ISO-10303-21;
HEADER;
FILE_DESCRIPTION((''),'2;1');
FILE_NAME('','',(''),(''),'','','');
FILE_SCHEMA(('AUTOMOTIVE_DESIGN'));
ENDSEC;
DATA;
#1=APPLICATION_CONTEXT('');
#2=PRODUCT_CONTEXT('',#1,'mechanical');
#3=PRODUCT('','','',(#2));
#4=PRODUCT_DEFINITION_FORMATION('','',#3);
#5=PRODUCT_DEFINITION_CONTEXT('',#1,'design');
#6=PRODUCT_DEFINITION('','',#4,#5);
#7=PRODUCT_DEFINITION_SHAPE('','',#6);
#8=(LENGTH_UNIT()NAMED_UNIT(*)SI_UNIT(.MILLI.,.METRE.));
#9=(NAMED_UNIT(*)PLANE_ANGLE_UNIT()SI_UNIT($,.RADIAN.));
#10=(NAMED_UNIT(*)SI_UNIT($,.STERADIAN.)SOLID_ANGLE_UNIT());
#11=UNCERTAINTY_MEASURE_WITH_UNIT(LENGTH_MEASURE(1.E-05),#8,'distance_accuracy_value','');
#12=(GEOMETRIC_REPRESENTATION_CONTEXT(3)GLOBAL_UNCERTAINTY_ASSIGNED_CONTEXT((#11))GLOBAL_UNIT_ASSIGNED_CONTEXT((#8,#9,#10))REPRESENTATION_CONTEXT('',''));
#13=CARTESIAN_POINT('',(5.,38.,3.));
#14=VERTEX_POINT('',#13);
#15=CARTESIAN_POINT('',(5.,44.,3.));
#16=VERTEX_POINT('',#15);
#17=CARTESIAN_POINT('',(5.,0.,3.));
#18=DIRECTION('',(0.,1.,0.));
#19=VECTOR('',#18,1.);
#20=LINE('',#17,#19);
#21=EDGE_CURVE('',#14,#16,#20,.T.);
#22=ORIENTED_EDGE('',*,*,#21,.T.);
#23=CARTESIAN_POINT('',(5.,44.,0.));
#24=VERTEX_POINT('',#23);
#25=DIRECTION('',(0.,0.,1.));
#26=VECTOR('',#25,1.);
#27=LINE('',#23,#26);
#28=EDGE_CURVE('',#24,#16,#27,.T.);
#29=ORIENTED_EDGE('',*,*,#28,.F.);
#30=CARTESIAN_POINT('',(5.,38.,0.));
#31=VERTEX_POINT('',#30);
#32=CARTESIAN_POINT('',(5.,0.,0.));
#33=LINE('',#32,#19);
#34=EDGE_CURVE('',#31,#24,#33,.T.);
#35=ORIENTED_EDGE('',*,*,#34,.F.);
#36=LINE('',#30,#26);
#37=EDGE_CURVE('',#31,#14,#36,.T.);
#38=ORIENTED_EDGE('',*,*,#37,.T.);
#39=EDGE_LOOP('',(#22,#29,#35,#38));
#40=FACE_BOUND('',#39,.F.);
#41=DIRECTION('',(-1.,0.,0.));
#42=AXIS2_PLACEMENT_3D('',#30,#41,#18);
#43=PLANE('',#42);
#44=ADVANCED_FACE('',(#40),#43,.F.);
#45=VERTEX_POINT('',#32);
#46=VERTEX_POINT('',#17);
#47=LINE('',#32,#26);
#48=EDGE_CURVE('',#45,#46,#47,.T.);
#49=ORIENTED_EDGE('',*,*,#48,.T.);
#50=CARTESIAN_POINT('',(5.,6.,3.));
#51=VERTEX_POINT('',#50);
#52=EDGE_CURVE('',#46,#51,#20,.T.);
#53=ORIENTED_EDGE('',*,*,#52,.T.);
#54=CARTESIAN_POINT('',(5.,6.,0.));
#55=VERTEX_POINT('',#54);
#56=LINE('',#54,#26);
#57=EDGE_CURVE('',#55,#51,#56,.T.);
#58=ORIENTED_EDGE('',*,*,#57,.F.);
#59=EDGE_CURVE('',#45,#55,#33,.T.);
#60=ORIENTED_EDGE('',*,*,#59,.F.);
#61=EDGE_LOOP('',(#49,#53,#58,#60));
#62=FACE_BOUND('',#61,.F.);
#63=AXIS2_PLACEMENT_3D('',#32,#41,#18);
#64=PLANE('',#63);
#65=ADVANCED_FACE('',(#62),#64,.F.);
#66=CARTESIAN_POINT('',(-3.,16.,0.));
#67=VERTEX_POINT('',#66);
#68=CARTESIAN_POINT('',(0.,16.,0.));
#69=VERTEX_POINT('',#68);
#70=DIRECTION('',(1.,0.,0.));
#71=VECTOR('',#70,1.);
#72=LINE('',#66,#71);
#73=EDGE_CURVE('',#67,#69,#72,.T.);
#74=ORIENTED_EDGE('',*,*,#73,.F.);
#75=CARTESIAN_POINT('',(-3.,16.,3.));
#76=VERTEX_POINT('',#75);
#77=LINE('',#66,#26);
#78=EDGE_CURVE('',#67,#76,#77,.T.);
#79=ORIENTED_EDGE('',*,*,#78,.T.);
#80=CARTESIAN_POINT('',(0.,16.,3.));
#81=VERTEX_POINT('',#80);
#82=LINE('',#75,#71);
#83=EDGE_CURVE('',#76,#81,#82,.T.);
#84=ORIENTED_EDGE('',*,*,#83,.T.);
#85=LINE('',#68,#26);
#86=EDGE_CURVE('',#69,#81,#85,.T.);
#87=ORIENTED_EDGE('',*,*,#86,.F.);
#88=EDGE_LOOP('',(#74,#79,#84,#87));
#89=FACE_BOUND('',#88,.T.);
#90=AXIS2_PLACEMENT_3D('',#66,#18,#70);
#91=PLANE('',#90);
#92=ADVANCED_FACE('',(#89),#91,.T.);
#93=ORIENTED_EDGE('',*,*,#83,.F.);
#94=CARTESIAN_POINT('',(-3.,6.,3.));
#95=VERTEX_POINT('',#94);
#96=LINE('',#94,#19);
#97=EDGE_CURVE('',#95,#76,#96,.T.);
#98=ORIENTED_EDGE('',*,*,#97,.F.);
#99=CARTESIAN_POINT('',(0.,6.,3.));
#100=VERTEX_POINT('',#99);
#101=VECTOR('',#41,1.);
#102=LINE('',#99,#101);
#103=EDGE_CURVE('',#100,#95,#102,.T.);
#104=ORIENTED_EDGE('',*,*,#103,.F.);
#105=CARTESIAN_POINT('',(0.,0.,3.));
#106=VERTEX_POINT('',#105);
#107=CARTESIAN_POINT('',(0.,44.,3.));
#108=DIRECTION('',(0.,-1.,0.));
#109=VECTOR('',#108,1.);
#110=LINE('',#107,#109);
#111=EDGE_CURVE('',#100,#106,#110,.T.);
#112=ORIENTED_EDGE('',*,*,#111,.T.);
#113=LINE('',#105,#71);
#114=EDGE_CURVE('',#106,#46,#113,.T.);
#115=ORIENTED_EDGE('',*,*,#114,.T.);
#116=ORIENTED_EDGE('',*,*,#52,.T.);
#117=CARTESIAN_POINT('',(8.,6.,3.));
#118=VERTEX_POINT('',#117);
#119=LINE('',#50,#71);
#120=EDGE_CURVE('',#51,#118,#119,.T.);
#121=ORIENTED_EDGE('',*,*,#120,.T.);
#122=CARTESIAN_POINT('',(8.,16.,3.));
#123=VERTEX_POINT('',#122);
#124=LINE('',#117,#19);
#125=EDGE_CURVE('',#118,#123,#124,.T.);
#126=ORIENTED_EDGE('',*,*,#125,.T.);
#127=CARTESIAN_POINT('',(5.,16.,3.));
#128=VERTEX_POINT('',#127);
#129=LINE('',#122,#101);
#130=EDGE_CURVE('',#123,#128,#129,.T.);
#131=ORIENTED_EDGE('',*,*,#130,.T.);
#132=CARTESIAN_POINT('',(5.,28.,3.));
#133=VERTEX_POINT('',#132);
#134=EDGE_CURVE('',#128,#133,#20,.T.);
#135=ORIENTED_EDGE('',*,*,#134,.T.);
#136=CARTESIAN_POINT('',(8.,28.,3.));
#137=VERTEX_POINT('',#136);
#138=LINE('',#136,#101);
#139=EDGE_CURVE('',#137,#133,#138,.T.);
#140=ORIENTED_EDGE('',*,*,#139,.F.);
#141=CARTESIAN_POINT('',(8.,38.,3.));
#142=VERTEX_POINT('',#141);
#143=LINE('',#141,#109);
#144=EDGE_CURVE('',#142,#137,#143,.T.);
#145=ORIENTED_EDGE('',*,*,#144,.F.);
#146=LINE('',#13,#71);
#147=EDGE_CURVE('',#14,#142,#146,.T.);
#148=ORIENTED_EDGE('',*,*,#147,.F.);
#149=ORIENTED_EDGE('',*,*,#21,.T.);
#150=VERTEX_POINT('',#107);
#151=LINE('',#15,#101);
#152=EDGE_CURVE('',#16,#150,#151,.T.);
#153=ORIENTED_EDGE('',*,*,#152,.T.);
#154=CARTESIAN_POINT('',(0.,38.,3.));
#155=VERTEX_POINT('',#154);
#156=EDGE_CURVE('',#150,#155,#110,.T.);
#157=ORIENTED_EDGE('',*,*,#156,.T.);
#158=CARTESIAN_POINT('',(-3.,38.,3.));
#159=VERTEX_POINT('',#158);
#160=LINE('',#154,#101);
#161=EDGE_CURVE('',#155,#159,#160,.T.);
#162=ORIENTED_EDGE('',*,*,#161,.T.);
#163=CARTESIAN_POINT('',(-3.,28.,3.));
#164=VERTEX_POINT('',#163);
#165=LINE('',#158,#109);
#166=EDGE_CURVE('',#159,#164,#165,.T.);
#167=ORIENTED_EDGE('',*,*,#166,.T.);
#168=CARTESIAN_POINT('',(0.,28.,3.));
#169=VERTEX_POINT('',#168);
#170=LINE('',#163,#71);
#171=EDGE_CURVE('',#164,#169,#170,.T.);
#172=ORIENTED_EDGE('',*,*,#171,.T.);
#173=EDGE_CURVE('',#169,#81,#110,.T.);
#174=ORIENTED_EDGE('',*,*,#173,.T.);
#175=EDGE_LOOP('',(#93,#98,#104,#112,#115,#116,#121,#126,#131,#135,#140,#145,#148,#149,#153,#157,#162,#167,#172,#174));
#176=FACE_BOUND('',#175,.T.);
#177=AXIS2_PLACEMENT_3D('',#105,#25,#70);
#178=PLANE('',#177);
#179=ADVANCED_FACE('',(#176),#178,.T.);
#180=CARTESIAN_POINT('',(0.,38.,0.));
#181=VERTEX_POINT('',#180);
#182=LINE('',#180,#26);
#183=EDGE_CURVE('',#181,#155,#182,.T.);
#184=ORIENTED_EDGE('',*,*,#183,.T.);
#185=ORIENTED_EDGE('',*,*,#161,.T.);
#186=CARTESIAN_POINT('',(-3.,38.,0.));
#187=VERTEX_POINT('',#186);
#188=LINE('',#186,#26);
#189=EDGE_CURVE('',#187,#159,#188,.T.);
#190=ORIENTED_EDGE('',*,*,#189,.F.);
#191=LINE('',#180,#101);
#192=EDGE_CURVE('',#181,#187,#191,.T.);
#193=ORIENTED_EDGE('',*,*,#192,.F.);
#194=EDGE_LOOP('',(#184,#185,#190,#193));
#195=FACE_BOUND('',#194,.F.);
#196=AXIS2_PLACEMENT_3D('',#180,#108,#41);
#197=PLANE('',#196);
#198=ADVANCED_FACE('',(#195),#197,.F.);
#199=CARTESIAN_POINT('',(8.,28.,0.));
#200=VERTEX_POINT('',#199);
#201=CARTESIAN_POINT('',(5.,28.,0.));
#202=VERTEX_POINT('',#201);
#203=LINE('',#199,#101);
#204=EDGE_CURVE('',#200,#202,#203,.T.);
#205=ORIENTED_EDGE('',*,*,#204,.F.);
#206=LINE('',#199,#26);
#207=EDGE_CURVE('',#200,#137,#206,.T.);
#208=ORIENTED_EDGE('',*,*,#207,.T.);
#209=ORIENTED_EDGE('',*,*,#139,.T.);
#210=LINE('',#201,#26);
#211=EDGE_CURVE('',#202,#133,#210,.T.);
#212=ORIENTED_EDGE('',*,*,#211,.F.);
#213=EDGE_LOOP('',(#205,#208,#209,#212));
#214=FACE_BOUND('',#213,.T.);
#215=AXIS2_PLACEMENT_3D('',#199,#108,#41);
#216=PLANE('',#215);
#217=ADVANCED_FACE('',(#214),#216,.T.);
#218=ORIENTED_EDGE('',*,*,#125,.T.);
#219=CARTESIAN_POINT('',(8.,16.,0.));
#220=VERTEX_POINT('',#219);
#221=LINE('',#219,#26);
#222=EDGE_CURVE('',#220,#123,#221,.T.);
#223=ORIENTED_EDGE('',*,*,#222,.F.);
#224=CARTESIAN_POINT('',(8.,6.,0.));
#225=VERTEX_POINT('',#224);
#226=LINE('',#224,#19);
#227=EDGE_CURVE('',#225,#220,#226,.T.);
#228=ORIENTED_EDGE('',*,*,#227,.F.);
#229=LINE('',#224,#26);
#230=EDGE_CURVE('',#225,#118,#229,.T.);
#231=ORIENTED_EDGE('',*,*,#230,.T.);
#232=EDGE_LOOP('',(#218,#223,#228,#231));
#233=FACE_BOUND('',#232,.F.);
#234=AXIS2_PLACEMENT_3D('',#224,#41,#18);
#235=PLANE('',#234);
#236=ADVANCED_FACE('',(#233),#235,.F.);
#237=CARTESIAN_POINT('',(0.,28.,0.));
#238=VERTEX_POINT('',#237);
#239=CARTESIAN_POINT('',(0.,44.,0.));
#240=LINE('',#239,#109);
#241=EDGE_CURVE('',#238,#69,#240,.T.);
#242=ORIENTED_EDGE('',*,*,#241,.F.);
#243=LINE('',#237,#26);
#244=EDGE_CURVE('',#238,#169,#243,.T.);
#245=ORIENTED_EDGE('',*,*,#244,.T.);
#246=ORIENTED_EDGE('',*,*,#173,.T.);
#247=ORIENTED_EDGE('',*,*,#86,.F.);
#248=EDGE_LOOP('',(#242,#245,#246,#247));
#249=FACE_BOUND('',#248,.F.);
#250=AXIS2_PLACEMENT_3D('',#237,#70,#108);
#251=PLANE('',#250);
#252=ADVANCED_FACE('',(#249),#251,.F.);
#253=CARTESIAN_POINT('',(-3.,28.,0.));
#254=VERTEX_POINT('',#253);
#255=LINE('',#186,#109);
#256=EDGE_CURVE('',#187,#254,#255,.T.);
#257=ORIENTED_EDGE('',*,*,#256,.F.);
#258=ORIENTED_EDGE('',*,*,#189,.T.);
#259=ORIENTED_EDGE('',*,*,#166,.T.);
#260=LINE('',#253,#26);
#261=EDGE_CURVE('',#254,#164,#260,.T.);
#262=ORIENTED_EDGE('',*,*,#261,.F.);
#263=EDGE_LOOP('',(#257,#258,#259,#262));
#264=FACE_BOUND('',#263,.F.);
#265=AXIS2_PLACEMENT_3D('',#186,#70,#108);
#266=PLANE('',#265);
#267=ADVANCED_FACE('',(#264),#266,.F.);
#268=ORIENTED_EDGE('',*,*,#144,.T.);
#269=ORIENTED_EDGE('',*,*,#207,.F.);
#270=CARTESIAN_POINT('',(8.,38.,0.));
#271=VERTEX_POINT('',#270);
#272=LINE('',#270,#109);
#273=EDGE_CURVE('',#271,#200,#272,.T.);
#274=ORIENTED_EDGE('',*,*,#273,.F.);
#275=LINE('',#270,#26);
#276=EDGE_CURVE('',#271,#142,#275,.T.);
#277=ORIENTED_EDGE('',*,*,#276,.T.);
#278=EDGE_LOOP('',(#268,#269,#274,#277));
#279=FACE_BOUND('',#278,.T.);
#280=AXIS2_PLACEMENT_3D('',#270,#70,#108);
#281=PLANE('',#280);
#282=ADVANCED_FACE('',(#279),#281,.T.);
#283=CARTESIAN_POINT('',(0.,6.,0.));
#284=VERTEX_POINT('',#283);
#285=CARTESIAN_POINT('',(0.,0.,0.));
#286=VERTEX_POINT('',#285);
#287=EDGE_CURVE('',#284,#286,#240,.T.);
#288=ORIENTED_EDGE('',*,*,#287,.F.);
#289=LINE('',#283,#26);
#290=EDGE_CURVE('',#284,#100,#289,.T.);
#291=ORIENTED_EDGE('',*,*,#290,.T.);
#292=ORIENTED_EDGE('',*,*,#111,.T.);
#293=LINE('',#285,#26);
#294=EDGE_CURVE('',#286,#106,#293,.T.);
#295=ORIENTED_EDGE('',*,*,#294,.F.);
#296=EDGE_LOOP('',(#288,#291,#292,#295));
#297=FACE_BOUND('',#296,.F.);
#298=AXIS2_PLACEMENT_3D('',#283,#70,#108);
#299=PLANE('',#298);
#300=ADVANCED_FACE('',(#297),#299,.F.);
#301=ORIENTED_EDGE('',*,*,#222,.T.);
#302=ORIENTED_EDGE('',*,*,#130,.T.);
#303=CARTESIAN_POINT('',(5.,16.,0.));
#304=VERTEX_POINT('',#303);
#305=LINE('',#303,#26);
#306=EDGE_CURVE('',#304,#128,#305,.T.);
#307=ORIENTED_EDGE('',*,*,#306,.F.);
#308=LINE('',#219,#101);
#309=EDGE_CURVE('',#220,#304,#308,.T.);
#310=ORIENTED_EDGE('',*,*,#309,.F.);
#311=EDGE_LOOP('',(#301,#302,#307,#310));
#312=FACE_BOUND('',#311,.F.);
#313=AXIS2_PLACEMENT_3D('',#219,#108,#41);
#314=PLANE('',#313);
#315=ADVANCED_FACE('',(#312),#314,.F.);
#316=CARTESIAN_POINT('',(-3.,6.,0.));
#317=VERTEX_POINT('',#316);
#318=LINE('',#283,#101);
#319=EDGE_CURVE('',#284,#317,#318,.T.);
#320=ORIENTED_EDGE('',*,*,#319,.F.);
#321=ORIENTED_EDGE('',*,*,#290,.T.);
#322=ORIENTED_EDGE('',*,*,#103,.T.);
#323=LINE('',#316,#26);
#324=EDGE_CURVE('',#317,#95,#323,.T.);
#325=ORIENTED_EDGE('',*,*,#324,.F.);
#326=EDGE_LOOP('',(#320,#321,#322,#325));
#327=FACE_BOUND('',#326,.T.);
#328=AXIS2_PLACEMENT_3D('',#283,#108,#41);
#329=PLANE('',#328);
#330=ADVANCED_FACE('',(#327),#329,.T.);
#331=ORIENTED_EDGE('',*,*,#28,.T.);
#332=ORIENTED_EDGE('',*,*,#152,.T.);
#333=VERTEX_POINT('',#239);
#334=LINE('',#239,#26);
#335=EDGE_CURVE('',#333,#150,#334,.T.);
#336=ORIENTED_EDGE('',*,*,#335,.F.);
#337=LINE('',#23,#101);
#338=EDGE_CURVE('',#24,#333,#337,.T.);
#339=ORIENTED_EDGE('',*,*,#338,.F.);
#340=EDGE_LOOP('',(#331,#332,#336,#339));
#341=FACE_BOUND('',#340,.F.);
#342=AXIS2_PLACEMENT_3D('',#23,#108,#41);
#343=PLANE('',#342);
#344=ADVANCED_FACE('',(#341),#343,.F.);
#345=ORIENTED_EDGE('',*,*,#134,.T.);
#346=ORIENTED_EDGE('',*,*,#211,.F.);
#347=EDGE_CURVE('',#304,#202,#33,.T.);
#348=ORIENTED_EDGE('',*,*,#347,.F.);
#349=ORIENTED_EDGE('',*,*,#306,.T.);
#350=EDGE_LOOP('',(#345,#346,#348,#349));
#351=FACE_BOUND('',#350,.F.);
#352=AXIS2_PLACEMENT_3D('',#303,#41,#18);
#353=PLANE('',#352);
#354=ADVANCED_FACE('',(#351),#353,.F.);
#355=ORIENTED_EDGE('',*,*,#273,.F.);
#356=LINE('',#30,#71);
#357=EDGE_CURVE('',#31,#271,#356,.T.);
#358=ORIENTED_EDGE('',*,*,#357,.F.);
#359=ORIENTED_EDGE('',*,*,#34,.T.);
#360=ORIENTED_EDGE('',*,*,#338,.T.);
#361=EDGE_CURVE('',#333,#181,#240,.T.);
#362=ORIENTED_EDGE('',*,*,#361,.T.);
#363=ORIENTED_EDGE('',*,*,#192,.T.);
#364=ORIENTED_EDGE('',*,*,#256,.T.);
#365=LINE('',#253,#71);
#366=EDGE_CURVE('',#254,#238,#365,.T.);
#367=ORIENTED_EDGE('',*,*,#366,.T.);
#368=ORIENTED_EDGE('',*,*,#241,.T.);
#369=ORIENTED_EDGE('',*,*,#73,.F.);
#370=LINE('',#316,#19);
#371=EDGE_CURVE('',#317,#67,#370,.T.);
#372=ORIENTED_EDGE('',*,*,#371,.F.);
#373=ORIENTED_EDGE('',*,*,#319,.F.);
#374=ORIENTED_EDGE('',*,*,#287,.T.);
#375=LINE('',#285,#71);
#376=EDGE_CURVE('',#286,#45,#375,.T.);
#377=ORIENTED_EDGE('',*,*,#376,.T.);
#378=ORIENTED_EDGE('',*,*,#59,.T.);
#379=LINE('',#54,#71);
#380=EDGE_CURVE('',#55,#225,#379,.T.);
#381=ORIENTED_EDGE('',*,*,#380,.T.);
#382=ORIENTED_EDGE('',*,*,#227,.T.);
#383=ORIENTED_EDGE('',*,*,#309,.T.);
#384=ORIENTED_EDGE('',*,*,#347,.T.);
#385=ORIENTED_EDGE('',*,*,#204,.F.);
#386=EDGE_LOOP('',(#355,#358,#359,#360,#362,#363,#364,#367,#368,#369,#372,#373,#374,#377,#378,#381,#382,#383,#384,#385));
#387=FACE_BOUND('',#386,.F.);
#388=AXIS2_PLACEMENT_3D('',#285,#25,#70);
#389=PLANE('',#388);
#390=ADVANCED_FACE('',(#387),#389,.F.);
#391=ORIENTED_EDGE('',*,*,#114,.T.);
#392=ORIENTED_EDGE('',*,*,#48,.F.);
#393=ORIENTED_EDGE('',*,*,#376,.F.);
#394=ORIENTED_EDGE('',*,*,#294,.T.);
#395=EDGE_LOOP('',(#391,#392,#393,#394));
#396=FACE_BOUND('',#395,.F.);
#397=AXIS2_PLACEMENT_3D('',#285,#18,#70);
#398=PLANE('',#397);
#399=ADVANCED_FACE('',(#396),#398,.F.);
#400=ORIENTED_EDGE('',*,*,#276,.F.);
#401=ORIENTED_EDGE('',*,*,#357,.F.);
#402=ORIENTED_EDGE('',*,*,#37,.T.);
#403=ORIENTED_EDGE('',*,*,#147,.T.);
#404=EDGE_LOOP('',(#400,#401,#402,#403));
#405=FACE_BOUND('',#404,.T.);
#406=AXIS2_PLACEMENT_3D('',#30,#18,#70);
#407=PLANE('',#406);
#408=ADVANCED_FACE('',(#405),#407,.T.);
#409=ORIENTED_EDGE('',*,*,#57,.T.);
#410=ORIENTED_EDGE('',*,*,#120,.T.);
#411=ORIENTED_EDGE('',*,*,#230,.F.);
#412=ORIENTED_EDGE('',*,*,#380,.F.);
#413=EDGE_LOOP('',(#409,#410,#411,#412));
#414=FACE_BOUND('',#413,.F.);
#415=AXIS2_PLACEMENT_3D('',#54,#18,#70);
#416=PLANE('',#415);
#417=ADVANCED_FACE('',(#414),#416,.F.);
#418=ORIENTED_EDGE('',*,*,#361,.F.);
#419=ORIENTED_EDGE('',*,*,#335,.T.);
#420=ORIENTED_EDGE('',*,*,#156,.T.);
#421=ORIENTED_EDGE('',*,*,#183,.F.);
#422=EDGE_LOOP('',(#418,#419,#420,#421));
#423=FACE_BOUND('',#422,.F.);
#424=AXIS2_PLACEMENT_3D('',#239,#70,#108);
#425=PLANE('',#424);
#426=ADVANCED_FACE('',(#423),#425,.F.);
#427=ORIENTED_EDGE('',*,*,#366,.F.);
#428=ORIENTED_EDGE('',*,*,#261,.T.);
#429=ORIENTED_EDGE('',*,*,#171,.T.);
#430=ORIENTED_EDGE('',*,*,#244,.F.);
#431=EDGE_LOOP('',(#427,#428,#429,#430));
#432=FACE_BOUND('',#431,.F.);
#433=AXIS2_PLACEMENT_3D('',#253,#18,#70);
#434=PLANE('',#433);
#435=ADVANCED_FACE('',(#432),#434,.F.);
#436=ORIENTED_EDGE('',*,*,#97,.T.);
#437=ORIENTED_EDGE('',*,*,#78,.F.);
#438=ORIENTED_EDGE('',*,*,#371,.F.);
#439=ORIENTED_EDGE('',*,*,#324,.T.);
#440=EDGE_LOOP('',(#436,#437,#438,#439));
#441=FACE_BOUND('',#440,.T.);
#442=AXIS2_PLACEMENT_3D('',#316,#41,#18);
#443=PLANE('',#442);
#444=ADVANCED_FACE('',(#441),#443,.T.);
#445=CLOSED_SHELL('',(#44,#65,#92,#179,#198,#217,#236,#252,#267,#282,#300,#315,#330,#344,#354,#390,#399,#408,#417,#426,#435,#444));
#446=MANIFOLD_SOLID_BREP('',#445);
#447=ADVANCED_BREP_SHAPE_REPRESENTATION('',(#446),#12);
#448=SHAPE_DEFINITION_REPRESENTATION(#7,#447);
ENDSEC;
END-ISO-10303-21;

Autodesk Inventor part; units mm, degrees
ref_plane "YZ Plane" through (0, 0, 0) normal (1, 0, 0) x (0, 1, 0)
ref_plane "XZ Plane" through (0, 0, 0) normal (0, 1, 0) x (-1, 0, 0)
ref_plane "XY Plane" through (0, 0, 0) normal (0, 0, 1) x (1, 0, 0)
sketch "Sketch1" plane through (0, 0, 0) normal (0, 0, 1) x (1, 0, 0)
  line L0 (0, 0) -> (5, 0)
  line L1 (5, 0) -> (5, 44)
  line L2 (5, 44) -> (0, 44)
  line L3 (0, 44) -> (0, 0)
  line L4 (5, 6) -> (8, 6)
  line L5 (8, 6) -> (8, 16)
  line L6 (8, 16) -> (5, 16)
  line L7 (5, 16) -> (5, 6)
  line L8 (5, 22) -> (0, 22) construction
  line L9 (2.5, 22) -> (2.5, 0) construction
  line L10 (0, 6) -> (-3, 6)
  line L11 (-3, 6) -> (-3, 16)
  line L12 (-3, 16) -> (0, 16)
  line L13 (5, 38) -> (8, 38)
  line L14 (8, 38) -> (8, 28)
  line L15 (8, 28) -> (5, 28)
  line L16 (-3, 28) -> (0, 28)
  line L17 (-3, 38) -> (-3, 28)
  line L18 (0, 38) -> (-3, 38)
  point P0 (6.5, 6)
  point P1 (-1.5, 6)
  point P2 (6.5, 38)
  point P3 (-1.5, 38)
  dimension "d0" = 5
  dimension "d1" = 44
  dimension "d2" = 3
  dimension "d3" = 6
  dimension "d4" = 10
extrude "Extrusion1" add sketch "Sketch1" along normal blind 3
properties part number "columna2"
